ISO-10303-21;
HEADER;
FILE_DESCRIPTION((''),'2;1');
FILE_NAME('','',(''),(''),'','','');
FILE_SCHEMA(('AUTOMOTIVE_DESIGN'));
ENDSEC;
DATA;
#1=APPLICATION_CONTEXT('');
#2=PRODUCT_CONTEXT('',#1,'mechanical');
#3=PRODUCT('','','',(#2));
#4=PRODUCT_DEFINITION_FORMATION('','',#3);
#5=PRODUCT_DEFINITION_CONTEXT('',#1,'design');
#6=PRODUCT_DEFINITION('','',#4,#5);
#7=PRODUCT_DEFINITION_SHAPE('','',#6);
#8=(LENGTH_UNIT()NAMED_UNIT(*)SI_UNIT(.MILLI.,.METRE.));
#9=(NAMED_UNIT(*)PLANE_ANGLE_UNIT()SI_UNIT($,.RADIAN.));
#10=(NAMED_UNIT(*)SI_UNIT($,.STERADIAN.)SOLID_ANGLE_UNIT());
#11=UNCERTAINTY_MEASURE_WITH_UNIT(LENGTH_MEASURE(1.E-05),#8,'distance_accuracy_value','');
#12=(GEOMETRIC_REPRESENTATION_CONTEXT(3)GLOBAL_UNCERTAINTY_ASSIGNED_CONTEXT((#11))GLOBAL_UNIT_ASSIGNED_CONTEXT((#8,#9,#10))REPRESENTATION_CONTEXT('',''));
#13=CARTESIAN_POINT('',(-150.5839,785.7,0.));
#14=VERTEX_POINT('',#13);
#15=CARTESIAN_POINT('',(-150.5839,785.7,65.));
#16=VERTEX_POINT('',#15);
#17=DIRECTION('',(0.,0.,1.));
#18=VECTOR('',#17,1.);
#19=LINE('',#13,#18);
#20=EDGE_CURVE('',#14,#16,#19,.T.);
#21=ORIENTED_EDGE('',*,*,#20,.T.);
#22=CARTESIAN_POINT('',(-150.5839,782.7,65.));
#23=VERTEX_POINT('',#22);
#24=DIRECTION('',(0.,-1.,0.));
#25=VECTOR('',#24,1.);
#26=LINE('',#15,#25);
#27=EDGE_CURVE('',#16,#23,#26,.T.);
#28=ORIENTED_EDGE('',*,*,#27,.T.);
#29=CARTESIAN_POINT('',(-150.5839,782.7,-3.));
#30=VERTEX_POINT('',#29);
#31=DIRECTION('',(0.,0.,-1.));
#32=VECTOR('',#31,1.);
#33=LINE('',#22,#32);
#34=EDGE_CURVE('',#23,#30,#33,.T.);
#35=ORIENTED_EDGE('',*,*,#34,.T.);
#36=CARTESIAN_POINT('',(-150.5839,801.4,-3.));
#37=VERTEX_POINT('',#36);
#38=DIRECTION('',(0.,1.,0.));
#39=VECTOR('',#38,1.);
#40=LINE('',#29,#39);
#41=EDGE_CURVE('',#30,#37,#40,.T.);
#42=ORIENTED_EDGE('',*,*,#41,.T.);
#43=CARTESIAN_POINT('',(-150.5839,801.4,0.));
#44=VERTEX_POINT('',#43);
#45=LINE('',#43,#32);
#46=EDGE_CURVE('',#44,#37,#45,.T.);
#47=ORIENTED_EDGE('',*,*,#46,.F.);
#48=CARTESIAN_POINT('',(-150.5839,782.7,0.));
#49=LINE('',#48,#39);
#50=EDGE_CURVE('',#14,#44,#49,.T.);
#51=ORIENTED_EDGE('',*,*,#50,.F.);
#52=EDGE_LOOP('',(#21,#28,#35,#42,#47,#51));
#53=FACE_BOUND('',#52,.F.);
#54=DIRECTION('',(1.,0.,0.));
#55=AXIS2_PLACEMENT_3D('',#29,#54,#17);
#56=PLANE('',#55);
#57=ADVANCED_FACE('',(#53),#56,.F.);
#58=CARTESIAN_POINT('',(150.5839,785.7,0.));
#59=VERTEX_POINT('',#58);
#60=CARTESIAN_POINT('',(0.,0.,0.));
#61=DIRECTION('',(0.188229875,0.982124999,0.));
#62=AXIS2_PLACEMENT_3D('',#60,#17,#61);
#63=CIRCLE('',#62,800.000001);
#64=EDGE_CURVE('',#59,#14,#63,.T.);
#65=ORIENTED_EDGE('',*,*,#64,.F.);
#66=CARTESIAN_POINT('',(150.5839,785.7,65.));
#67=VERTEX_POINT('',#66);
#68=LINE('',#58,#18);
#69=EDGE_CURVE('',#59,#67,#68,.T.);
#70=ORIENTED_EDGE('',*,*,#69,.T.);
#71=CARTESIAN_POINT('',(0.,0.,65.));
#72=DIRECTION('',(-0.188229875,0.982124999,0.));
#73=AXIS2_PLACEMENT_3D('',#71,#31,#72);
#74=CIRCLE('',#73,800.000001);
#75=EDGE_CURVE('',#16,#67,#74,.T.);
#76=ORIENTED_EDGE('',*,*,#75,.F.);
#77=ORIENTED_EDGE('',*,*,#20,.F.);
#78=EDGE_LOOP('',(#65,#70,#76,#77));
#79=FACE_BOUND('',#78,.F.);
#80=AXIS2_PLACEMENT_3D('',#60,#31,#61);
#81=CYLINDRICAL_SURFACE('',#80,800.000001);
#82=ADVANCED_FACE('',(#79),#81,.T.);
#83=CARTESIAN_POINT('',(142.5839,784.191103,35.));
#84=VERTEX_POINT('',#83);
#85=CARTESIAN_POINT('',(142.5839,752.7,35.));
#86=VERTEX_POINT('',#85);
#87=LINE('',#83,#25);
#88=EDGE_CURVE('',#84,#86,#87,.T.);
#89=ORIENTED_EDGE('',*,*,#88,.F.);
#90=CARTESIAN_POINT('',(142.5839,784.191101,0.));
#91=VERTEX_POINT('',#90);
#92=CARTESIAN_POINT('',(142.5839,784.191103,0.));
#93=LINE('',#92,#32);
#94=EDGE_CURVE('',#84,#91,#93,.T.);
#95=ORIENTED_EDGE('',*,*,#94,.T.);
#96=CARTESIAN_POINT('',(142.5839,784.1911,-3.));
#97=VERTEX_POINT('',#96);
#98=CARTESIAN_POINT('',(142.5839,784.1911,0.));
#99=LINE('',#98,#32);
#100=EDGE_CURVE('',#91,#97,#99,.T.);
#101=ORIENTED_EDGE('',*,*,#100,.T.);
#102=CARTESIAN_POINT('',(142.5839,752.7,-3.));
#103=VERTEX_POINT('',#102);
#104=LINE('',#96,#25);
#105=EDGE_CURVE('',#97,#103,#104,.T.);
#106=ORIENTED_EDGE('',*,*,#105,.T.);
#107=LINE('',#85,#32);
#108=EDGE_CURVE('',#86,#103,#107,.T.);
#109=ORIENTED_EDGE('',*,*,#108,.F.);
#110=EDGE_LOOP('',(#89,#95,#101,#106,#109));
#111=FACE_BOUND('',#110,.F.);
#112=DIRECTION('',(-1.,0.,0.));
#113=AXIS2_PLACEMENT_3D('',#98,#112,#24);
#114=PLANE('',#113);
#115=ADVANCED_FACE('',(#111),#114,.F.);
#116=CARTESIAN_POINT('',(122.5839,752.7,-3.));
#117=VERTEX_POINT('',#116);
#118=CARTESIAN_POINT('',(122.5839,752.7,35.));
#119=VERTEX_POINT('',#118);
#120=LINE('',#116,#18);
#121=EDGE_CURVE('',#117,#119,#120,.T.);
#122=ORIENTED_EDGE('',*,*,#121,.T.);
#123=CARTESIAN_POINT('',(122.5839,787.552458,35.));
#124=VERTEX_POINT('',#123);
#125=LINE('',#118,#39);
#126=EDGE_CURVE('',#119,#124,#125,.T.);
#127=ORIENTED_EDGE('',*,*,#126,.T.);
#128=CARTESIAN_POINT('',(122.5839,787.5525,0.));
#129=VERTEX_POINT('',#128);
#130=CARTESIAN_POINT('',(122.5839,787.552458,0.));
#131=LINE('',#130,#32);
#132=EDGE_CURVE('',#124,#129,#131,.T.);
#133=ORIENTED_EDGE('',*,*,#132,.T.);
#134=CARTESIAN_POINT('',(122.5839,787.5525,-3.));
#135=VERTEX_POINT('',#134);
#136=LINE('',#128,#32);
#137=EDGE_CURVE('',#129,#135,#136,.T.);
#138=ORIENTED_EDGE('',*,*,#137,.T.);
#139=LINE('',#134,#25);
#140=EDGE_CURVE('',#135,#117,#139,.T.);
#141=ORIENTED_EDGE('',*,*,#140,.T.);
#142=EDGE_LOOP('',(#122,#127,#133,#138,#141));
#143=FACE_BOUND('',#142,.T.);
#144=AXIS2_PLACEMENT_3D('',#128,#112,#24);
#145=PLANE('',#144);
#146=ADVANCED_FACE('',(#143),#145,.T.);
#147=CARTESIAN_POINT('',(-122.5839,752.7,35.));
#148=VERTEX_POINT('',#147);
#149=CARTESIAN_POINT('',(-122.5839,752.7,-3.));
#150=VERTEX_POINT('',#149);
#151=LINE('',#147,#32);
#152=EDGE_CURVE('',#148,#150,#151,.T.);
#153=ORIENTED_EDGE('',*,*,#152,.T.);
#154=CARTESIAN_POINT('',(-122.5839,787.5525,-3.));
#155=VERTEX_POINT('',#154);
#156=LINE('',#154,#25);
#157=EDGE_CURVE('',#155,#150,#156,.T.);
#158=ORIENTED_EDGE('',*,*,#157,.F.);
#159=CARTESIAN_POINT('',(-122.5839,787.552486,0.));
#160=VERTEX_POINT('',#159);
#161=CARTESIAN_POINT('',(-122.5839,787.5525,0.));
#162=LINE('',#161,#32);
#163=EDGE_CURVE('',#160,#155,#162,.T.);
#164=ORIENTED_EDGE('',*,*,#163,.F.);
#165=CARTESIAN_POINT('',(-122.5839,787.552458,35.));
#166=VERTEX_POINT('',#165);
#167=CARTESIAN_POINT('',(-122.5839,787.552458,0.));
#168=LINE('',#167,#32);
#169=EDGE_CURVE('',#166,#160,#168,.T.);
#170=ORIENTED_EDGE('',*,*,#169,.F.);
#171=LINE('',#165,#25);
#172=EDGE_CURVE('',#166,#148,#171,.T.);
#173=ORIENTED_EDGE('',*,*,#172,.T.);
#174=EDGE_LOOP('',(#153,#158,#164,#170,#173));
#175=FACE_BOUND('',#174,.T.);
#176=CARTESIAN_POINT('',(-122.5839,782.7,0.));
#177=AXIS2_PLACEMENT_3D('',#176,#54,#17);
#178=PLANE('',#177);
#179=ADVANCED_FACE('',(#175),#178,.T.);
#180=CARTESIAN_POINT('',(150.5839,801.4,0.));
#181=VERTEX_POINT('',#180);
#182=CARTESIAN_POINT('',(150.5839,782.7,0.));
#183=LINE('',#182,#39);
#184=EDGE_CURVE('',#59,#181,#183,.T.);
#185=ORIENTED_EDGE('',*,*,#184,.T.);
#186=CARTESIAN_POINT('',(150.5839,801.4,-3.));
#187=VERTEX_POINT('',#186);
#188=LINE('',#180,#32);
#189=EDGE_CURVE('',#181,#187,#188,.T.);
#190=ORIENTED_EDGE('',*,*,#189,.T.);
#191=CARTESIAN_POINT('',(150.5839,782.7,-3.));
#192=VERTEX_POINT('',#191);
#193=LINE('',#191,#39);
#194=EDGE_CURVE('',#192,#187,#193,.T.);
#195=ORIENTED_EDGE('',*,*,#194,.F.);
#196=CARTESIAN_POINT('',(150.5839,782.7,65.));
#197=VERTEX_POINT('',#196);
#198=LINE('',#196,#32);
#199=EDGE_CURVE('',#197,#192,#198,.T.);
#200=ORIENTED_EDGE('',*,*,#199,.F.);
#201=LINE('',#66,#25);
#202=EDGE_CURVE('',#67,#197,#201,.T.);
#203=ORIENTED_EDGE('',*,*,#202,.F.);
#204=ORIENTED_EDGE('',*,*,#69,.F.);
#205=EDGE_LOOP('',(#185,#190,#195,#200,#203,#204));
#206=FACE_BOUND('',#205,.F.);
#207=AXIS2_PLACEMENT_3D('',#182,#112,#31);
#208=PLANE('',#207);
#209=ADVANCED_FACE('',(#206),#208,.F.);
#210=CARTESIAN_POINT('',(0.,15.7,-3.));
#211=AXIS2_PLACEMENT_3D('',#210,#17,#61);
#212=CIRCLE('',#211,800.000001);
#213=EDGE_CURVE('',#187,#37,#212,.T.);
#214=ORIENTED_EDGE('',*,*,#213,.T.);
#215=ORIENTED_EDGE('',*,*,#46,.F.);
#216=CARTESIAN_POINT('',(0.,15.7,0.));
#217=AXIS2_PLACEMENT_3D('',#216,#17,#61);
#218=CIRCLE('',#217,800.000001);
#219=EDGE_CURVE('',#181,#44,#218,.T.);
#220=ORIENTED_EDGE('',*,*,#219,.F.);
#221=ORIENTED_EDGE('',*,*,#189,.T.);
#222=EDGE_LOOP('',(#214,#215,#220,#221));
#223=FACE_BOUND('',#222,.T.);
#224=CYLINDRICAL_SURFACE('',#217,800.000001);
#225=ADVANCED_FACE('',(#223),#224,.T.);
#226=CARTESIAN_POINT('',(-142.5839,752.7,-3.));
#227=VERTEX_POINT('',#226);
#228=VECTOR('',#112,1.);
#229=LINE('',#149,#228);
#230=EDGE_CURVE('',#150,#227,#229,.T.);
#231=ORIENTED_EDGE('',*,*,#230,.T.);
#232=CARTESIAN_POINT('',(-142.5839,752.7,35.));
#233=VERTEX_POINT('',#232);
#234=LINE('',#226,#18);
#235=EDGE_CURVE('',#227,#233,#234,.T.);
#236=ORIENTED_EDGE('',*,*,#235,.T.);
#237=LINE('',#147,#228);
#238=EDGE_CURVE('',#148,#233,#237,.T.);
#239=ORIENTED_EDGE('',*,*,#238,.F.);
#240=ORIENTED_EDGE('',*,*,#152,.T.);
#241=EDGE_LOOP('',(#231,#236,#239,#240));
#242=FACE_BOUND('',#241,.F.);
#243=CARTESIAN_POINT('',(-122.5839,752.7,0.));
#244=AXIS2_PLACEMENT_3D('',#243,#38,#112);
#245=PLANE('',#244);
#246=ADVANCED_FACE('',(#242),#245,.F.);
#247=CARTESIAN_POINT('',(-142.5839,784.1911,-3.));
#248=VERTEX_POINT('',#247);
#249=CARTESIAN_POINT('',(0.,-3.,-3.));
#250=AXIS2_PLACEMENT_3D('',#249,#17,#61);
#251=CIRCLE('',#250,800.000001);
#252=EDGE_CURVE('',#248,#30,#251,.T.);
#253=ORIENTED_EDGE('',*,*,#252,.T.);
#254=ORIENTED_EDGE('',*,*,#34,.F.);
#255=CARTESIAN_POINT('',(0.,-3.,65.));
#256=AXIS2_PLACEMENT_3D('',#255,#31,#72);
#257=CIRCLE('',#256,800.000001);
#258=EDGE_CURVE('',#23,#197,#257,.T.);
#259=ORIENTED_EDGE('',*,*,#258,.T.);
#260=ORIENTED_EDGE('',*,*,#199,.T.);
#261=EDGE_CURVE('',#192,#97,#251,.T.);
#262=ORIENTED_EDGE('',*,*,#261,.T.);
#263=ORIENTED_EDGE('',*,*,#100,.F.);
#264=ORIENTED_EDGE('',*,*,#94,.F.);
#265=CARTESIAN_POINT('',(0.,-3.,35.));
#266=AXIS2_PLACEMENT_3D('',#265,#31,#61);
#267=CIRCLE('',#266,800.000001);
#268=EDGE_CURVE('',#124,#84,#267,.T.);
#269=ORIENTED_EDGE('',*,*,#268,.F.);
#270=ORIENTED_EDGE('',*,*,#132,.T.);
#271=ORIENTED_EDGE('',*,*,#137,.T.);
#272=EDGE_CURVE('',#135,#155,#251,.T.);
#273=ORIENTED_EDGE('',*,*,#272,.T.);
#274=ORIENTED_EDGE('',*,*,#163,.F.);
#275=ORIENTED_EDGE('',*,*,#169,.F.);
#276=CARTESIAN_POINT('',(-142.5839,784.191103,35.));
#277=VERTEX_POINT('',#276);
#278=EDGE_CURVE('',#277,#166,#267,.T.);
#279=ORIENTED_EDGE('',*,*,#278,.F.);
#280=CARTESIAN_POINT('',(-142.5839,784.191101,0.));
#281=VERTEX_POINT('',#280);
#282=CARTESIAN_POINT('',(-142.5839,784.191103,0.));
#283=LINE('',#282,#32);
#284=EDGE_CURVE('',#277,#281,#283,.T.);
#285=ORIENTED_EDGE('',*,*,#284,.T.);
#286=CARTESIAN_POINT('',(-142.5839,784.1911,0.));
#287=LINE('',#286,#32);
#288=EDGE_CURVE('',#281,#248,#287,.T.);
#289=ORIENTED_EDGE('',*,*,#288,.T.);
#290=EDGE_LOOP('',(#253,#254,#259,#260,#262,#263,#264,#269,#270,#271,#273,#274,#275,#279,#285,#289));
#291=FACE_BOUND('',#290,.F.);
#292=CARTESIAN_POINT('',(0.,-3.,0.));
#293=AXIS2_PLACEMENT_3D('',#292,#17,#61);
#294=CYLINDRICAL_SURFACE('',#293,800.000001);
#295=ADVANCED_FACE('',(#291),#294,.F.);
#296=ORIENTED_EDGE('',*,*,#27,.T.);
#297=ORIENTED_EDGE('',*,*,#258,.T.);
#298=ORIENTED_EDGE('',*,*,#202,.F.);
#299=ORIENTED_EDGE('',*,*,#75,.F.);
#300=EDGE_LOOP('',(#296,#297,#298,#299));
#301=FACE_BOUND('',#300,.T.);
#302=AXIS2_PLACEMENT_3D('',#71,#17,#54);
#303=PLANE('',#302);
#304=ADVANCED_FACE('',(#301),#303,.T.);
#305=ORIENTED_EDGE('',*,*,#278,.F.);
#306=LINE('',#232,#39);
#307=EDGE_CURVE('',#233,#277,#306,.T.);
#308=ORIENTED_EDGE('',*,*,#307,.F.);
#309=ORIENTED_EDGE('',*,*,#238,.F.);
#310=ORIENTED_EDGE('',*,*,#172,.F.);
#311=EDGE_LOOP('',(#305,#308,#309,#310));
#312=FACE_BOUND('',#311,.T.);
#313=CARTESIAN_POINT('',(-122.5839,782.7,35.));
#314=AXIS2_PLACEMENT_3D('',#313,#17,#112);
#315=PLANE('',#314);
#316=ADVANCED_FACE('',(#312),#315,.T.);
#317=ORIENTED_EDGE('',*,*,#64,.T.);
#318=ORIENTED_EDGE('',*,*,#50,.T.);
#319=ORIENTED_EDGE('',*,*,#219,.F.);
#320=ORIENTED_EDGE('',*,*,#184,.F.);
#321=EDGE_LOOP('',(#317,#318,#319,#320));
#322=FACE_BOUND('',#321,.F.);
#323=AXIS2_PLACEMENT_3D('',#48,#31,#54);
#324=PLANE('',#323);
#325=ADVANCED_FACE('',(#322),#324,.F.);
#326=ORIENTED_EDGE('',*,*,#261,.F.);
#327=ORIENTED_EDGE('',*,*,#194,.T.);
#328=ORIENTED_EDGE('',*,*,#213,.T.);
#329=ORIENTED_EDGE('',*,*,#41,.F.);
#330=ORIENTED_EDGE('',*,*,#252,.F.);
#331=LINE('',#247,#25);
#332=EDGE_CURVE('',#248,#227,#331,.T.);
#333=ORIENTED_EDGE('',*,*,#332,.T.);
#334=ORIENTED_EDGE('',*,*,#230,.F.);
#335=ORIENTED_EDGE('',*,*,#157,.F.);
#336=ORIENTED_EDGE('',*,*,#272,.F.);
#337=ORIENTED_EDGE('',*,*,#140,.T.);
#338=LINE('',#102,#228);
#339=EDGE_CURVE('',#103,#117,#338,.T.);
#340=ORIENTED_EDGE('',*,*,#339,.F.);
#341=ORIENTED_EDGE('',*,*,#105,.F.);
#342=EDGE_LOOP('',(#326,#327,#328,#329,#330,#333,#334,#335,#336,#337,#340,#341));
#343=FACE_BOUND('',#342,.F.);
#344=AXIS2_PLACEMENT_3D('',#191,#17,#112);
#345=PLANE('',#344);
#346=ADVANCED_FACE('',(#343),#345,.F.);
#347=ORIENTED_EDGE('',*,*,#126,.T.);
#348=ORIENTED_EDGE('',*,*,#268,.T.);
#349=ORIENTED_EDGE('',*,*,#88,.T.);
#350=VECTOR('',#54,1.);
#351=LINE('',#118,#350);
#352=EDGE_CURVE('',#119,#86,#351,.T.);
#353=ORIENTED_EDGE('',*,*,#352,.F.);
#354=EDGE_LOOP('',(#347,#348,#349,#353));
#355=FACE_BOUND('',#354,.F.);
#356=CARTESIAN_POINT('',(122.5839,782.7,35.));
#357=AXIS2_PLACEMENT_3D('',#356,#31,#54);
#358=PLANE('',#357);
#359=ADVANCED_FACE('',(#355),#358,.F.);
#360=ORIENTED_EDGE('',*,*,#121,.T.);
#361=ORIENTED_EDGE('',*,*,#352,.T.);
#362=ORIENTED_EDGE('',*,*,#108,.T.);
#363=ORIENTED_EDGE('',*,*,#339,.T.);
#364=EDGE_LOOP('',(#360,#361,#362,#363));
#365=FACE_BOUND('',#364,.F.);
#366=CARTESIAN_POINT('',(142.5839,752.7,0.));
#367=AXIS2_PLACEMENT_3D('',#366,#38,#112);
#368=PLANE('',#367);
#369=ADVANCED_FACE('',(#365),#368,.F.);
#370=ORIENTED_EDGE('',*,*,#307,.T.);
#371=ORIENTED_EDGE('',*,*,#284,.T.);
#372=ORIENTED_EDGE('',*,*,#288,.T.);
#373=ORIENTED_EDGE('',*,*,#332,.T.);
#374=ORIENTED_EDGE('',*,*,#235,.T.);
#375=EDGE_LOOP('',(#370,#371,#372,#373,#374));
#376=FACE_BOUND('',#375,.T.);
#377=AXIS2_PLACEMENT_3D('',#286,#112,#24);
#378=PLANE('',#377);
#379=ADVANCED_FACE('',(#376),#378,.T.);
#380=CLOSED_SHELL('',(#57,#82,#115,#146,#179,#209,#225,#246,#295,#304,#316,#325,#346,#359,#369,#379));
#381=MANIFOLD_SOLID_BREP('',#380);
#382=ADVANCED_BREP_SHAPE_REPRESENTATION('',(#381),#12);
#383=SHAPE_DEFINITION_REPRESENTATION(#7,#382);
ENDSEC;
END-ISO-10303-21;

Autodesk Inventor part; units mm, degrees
ref_plane "YZ Plane" through (0, 0, 0) normal (1, 0, 0) x (0, 1, 0)
ref_plane "XZ Plane" through (0, 0, 0) normal (0, 1, 0) x (-1, 0, 0)
ref_plane "XY Plane" through (0, 0, 0) normal (0, 0, 1) x (1, 0, 0)
sketch "Esquisse1" plane through (0, 0, 0) normal (0, 0, 1) x (1, 0, 0)
  line L0 (-150.5839, 785.7) -> (150.5839, 785.7)
  arc A0 (150.5839, 785.7) -> (-150.5839, 785.7) centre (0, 0) ccw
  line L1 (-150.5839, 782.7) -> (150.5839, 782.7)
  line L2 (0, 797) -> (-150.5839, 797)
  arc A1 (150.5839, 782.7) -> (-150.5839, 782.7) centre (0, -3) ccw
  line L3 (-150.5839, 785.7) -> (-150.5839, 782.7)
  line L4 (150.5839, 785.7) -> (150.5839, 782.7)
  point P0 (0, 0)
  dimension "d4" = 785.7
  dimension "d8" = 3
  dimension "d9" = 14.3
extrude "Extrusion1" add sketch "Esquisse1" along normal blind 65 contours A0 L2 A1 L0 | L0 A1 L3 | A0 L0 A1 L2 | L0 L4 A1
ref_plane "Plan de construction1" through (-150.5839, 782.7, 65) normal (0, -1, 0) x (0, 0, -1)
sketch "Esquisse4" plane through (-150.5839, 782.7, 65) normal (0, -1, 0) x (0, 0, -1)
  line L0 (65, 301.1678) -> (65, 0) projected
  line L1 (30, 8) -> (65, 8)
  line L2 (65, 8) -> (65, 28)
  line L3 (65, 28) -> (30, 28)
  line L4 (30, 28) -> (30, 8)
  line L5 (65, 0) -> (0, 0) projected
  line L6 (65, 273.1678) -> (30, 273.1678)
  line L7 (30, 273.1678) -> (30, 293.1678)
  line L8 (30, 293.1678) -> (65, 293.1678)
  line L9 (65, 293.1678) -> (65, 273.1678)
  line L10 (65, 301.1678) -> (0, 301.1678) projected
  point P0 (65, 150.5839)
  point P1 (65, 8)
  dimension "d13" = 20
  dimension "d14" = 35
  dimension "d15" = 8
  dimension "d16" = 35
  dimension "d17" = 8
  dimension "d18" = 20
extrude "Extrusion2" add sketch "Esquisse4" against normal up to surface
sketch "Esquisse5" plane through (-150.5839, 782.7, 65) normal (0, -1, 0) x (1, 0, 0)
  line L0 (0, -65) -> (8, -65) projected
  line L1 (28, -30) -> (28, -65) projected
  line L2 (8, -65) -> (28, -65)
  line L3 (28, -65) -> (28, -30)
  line L4 (28, -30) -> (8, -30)
  line L5 (8, -30) -> (8, -65)
  line L6 (273.1678, -30) -> (293.1678, -30) projected
  line L7 (293.1678, -30) -> (293.1678, -65) projected
  line L8 (273.1678, -30) -> (293.1678, -30)
  line L9 (293.1678, -30) -> (293.1678, -65)
  line L10 (293.1678, -65) -> (273.1678, -65)
  line L11 (273.1678, -65) -> (273.1678, -30)
  point P0 (150.5839, -65)
extrude "Extrusion3" add sketch "Esquisse5" along normal blind 30
sketch "Esquisse9" plane through (0, 0, 65) normal (0, 0, 1) x (1, 0, 0)
  point P0 (0, 0)
sketch "Esquisse10" plane through (-150.5839, 782.7, 65) normal (0, -1, 0) x (0, 0, -1)
  line L0 (65, 301.1678) -> (0, 301.1678) projected
  line L1 (65, 301.1678) -> (68, 301.1678)
  line L2 (68, 301.1678) -> (68, 0)
  line L3 (68, 0) -> (65, 0)
  line L4 (65, 0) -> (65, 301.1678)
  point P0 (65, 150.5839)
  dimension "d81" = 3
extrude "Extrusion4" add sketch "Esquisse10" against normal blind 50
sketch "Esquisse11" plane through (-122.5839, 782.7, 0) normal (0, 0, 1) x (1, 0, 0)
  line L0 (-39.3889, 14.3) -> (313.6941, 14.3)
  line L1 (412.3411, 0) -> (-114.6772, 0) projected
  line L2 (273.1678, 0) -> (273.1678, 3) projected
  arc A0 (273.1678, 0) -> (-28, 0) centre (122.5839, -785.7) ccw
  line L3 (-28, 0) -> (273.1678, 0)
  point P0 (122.5839, -782.7)
  dimension "d84" = 14.3
extrude "Extrusion5" cut sketch "Esquisse11" against normal blind 10
sketch "Esquisse12" plane through (0, 0, 0) normal (0, 0, 1) x (1, 0, 0)
  line L0 (-152.2915, 801.4) -> (214.4689, 801.4)
  line L1 (288.3408, 782.7) -> (-228.7627, 782.7) projected
  line L2 (-154.8908, 815.7) -> (200.1728, 815.7)
  line L3 (150.5839, 785.7) -> (150.5839, 832.7) projected
  line L4 (-150.5839, 785.7) -> (-150.5839, 832.7) projected
  arc A0 (150.5839, 801.4) -> (-150.5839, 801.4) centre (0, 15.7) ccw
  line L5 (-150.5839, 801.4) -> (-150.5839, 832.7)
  line L6 (-150.5839, 832.7) -> (150.5839, 832.7) projected
  line L7 (150.5839, 832.7) -> (150.5839, 801.4)
  point P0 (0, 0)
  dimension "d87" = 18.7
  dimension "d88" = 14.3
extrude "Extrusion6" cut sketch "Esquisse12" against normal blind 10 contours L4 L2 A0 | A0 L2 L3 | L4 L6 L3 L2
sketch "Esquisse13" plane through (0, 0, 0) normal (0, 0, -1) x (-1, 0, 0)
  line L0 (142.5839, 784.1911) -> (142.5839, 752.7) projected
  line L1 (122.5839, 787.5525) -> (122.5839, 752.7) projected
  arc A0 (142.5839, 784.1911) -> (122.5839, 787.5525) centre (0, -3) ccw
  line L2 (142.5839, 784.1911) -> (142.5839, 752.7)
  line L3 (122.5839, 752.7) -> (142.5839, 752.7) projected
  line L4 (122.5839, 752.7) -> (122.5839, 787.5525)
  arc A1 (150.5839, 782.7) -> (-150.5839, 782.7) centre (0, -3) ccw projected
  arc A2 (-142.5839, 784.1911) -> (-122.5839, 787.5525) centre (0, -3) ccw
  line L5 (-122.5839, 787.5525) -> (-122.5839, 752.7) projected
  line L6 (-122.5839, 787.5525) -> (-122.5839, 752.7)
  line L7 (-142.5839, 752.7) -> (-122.5839, 752.7) projected
  line L8 (-122.5839, 752.7) -> (-142.5839, 752.7)
  line L9 (-142.5839, 784.1911) -> (-142.5839, 752.7) projected
  line L10 (-142.5839, 752.7) -> (-142.5839, 784.1911)
  arc A3 (-122.5839, 787.5525) -> (-142.5839, 784.1911) centre (0, -3) ccw
  point P0 (0, 0)
extrude "Extrusion7" add sketch "Esquisse13" along normal blind 3 contours L0 L3 L1 A0 | L5 L7 L9 A1
properties part number "arc_de_cercle"
